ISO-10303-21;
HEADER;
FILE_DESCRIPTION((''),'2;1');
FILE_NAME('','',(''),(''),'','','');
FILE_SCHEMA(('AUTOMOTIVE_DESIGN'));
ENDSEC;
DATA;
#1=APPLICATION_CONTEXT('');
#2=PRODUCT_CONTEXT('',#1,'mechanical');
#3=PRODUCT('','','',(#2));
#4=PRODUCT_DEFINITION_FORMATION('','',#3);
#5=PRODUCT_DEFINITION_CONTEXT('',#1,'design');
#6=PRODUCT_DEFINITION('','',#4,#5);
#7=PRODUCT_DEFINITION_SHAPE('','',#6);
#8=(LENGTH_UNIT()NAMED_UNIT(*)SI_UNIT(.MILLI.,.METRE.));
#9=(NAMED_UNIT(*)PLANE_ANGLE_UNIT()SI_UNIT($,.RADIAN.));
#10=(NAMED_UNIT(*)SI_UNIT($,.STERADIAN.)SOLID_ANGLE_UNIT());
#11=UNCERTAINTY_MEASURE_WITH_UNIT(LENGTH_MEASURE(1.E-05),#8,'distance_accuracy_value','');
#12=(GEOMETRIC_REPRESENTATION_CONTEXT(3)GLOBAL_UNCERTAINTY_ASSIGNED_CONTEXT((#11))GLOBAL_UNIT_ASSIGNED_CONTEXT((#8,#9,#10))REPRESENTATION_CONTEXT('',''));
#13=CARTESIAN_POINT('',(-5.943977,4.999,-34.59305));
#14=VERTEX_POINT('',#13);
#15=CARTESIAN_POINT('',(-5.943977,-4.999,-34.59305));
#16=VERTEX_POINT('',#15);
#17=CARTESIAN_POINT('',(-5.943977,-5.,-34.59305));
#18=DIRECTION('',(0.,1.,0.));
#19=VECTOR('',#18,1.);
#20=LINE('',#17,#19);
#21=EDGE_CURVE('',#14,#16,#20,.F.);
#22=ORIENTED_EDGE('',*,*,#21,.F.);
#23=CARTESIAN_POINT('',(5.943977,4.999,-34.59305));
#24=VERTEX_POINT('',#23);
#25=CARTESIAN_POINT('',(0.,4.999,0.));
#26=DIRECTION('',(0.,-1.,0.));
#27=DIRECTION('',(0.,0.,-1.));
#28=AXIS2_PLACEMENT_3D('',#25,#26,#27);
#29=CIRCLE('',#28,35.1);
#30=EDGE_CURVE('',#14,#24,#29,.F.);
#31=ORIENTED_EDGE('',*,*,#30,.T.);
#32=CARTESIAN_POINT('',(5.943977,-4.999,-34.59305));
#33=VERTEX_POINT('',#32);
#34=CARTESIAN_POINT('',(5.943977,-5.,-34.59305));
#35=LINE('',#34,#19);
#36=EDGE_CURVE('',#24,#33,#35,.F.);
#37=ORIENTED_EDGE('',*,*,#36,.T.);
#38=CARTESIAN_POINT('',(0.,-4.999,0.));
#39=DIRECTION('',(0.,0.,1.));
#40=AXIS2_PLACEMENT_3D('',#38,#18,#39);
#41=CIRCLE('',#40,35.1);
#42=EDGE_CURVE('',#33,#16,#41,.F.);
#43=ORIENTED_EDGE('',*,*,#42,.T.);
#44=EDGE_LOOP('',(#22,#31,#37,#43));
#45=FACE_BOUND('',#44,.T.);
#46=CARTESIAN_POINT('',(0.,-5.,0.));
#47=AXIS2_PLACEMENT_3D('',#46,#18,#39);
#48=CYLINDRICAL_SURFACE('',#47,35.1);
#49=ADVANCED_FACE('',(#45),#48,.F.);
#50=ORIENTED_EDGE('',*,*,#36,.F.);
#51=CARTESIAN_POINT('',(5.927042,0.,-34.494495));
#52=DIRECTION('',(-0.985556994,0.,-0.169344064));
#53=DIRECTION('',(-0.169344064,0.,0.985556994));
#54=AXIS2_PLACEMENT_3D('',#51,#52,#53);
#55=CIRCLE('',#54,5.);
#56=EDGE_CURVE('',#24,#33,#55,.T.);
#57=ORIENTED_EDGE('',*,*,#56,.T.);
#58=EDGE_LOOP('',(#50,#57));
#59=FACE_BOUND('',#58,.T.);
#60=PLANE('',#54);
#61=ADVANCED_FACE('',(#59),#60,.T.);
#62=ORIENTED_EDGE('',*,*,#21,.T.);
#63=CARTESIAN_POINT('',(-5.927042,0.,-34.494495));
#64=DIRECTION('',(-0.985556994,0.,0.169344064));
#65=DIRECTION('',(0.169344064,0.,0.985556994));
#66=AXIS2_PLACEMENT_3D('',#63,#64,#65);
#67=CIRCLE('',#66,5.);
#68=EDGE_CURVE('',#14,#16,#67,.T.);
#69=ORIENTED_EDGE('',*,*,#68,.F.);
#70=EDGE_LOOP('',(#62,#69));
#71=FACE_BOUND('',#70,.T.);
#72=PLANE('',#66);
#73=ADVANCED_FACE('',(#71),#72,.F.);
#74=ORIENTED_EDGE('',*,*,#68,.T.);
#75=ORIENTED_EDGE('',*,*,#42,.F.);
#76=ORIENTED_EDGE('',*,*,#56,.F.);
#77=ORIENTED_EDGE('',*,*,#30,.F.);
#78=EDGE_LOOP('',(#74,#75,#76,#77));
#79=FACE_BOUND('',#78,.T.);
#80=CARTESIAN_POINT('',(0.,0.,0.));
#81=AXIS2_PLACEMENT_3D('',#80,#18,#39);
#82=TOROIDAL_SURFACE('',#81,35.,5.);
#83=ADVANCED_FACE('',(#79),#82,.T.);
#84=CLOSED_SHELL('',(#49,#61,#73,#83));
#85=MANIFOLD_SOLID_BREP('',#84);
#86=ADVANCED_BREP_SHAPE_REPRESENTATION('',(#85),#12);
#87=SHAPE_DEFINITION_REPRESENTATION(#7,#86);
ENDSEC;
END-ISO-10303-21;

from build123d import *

# Parameters (mm, degrees)
BALAYAGE1_PROFILE_R          = 5
ENL_V_MAT_EXTRU_1_DEPTH      = 57.789083608
ENL_V_MAT_EXTRU_1_DEPTH_BACK = 57.789083608
ESQUISSE10_R                 = 35.1


with BuildPart() as part:
    # Balayage1: sweep along a path in Esquisse1
    with BuildLine(Plane(origin=(0, 0, 0), x_dir=(1, 0, 0), z_dir=(0, 1, 0))) as balayage1_path:
        ThreePointArc((-5.927042228, 34.494494784), (0, -35), (5.927042228, 34.494494784))
    # Balayage1 profile (on start of the path) → Balayage1 (sweep)
    with BuildSketch(Plane(origin=(-5.927042228, 0, -34.494494784), x_dir=(-0.1693440636674477, 0, -0.9855569938367824), z_dir=(-0.9855569938367824, 0, 0.1693440636674477))):
        Circle(BALAYAGE1_PROFILE_R)
    sweep(path=balayage1_path.line)

    # Esquisse10 → Enlèv. mat.-Extru.1 (cut, two sides: drawn at the far end of the back side and taken through both)
    with BuildSketch(Plane(origin=(0, 0, 0), x_dir=(1, 0, 0), z_dir=(0, 1, 0)).offset(-ENL_V_MAT_EXTRU_1_DEPTH_BACK)):
        Circle(ESQUISSE10_R)
    extrude(amount=ENL_V_MAT_EXTRU_1_DEPTH + ENL_V_MAT_EXTRU_1_DEPTH_BACK, mode=Mode.SUBTRACT)


solid = part.part
